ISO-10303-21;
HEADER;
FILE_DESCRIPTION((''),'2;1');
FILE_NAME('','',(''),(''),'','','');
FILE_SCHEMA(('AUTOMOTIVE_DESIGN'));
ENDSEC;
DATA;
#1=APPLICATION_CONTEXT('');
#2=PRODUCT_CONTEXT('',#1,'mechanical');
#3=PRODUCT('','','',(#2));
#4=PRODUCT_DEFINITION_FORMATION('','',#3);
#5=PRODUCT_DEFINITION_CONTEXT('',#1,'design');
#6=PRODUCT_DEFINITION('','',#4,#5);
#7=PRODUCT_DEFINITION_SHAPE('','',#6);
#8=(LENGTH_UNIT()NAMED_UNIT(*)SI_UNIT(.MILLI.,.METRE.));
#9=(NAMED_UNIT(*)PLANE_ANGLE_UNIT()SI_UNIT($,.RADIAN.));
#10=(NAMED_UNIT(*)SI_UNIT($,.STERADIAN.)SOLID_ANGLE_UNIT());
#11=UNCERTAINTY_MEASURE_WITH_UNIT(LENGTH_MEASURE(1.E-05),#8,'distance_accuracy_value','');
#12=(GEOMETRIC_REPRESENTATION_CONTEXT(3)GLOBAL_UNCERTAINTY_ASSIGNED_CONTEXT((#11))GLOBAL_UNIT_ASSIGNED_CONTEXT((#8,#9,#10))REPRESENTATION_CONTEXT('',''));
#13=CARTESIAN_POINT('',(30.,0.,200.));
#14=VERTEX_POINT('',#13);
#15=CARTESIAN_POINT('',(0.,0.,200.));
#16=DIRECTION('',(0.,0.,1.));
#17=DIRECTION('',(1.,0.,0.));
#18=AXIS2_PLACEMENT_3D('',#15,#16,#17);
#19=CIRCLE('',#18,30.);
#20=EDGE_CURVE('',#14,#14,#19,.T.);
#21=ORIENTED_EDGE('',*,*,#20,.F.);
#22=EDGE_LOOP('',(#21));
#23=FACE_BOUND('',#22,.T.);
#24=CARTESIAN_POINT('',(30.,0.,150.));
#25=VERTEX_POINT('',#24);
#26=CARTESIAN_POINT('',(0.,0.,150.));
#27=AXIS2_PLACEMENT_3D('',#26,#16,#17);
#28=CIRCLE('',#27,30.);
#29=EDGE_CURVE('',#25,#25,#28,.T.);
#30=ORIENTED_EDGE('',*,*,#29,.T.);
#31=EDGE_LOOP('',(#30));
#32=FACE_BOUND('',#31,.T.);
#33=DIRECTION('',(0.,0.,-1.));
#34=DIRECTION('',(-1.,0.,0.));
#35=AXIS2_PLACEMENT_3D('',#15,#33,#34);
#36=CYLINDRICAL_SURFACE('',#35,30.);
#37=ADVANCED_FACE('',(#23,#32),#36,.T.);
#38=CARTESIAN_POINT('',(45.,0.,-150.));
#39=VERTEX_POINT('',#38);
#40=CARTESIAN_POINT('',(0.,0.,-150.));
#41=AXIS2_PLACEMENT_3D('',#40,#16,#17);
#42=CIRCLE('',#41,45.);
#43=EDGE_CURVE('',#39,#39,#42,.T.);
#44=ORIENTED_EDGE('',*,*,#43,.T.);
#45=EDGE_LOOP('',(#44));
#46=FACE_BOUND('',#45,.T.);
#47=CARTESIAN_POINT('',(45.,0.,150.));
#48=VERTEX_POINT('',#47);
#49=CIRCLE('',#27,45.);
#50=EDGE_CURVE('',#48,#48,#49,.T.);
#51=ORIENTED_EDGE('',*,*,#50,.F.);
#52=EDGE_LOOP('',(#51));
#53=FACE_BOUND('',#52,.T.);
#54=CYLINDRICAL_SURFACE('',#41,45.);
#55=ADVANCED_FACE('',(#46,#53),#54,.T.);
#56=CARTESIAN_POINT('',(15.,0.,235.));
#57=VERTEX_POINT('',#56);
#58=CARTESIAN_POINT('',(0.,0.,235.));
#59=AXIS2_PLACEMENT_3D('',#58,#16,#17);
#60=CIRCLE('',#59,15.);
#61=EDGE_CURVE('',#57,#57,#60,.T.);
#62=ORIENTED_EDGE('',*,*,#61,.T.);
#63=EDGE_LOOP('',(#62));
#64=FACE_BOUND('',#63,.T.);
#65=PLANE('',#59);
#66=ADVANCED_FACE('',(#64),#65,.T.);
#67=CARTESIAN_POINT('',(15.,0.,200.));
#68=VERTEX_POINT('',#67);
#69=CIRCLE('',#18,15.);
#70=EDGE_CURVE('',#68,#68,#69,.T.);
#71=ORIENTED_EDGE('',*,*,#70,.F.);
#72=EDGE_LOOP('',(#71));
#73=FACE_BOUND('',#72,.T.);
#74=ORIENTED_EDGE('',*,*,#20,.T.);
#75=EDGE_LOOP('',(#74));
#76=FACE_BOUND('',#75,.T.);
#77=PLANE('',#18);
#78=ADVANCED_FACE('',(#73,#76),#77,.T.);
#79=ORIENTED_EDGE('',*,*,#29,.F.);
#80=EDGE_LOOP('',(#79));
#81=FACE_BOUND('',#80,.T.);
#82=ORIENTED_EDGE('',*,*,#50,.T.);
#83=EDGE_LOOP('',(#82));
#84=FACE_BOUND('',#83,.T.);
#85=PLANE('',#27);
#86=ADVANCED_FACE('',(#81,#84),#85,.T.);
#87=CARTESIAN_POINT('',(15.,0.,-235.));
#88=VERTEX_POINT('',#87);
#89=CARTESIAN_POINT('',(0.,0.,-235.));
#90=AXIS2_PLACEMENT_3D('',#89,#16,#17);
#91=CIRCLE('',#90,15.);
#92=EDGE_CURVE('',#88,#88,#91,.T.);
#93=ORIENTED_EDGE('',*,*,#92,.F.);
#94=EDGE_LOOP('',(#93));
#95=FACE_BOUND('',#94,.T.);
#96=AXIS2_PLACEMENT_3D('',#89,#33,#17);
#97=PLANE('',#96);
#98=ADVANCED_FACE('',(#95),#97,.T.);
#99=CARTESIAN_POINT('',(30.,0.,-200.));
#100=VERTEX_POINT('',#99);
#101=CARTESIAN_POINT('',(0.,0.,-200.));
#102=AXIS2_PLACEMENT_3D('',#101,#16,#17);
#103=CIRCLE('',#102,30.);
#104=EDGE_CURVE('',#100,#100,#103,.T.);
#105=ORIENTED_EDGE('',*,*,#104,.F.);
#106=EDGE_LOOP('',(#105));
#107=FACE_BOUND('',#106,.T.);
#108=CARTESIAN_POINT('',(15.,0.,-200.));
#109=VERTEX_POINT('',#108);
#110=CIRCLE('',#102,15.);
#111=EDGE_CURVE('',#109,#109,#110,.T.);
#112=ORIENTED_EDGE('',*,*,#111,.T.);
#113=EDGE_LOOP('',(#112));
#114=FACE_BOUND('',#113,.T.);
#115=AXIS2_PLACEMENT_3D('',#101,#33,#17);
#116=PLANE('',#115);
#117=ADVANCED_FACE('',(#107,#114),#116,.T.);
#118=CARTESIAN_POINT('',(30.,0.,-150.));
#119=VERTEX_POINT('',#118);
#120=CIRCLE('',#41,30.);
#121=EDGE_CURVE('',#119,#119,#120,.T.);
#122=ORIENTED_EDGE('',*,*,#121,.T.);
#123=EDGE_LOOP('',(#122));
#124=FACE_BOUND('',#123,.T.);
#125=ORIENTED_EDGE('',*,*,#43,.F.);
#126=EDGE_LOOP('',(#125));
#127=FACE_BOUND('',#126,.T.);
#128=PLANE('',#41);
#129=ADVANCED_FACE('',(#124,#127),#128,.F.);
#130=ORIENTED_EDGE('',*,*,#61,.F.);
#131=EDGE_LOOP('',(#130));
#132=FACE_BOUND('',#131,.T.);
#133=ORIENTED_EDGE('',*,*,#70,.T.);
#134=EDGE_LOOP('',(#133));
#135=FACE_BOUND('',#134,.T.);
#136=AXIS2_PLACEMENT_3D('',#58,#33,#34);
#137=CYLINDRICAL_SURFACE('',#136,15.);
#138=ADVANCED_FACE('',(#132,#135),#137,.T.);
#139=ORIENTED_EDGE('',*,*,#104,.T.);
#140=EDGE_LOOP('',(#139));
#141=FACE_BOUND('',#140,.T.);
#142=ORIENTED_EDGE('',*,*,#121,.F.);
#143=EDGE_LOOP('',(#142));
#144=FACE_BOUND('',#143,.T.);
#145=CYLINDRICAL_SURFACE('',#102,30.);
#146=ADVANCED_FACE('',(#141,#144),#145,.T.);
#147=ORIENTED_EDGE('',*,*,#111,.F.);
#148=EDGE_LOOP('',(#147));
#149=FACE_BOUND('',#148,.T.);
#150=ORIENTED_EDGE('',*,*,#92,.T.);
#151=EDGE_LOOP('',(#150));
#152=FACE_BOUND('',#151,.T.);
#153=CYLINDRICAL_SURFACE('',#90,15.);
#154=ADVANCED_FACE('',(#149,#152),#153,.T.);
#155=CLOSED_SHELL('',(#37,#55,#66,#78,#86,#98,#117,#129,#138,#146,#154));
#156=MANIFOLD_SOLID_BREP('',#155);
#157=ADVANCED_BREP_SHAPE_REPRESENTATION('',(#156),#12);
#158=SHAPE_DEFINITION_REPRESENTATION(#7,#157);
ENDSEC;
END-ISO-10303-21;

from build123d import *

# Parameters (mm, degrees)
SKETCH1_R           = 45
BOSS_EXTRUDE1_DEPTH = 150
SKETCH2_R           = 30
BOSS_EXTRUDE2_DEPTH = 50
SKETCH3_R           = 15
BOSS_EXTRUDE3_DEPTH = 35


with BuildPart() as part:
    # Sketch1 → Boss-Extrude1 (new, symmetric)
    with BuildSketch(Plane.XY):
        Circle(SKETCH1_R)
    extrude(amount=BOSS_EXTRUDE1_DEPTH, both=True)

    # Sketch2 → Boss-Extrude2 (add)
    with BuildSketch(Plane.XY.offset(150)):
        Circle(SKETCH2_R)
    boss_extrude2 = extrude(amount=BOSS_EXTRUDE2_DEPTH)

    # Sketch3 → Boss-Extrude3 (add)
    with BuildSketch(Plane.XY.offset(200)):
        Circle(SKETCH3_R)
    boss_extrude3 = extrude(amount=BOSS_EXTRUDE3_DEPTH)

    # Mirror2: Boss-Extrude2, Boss-Extrude3 across plane
    add(boss_extrude2.mirror(Plane.XY))
    add(boss_extrude3.mirror(Plane.XY))


solid = part.part
